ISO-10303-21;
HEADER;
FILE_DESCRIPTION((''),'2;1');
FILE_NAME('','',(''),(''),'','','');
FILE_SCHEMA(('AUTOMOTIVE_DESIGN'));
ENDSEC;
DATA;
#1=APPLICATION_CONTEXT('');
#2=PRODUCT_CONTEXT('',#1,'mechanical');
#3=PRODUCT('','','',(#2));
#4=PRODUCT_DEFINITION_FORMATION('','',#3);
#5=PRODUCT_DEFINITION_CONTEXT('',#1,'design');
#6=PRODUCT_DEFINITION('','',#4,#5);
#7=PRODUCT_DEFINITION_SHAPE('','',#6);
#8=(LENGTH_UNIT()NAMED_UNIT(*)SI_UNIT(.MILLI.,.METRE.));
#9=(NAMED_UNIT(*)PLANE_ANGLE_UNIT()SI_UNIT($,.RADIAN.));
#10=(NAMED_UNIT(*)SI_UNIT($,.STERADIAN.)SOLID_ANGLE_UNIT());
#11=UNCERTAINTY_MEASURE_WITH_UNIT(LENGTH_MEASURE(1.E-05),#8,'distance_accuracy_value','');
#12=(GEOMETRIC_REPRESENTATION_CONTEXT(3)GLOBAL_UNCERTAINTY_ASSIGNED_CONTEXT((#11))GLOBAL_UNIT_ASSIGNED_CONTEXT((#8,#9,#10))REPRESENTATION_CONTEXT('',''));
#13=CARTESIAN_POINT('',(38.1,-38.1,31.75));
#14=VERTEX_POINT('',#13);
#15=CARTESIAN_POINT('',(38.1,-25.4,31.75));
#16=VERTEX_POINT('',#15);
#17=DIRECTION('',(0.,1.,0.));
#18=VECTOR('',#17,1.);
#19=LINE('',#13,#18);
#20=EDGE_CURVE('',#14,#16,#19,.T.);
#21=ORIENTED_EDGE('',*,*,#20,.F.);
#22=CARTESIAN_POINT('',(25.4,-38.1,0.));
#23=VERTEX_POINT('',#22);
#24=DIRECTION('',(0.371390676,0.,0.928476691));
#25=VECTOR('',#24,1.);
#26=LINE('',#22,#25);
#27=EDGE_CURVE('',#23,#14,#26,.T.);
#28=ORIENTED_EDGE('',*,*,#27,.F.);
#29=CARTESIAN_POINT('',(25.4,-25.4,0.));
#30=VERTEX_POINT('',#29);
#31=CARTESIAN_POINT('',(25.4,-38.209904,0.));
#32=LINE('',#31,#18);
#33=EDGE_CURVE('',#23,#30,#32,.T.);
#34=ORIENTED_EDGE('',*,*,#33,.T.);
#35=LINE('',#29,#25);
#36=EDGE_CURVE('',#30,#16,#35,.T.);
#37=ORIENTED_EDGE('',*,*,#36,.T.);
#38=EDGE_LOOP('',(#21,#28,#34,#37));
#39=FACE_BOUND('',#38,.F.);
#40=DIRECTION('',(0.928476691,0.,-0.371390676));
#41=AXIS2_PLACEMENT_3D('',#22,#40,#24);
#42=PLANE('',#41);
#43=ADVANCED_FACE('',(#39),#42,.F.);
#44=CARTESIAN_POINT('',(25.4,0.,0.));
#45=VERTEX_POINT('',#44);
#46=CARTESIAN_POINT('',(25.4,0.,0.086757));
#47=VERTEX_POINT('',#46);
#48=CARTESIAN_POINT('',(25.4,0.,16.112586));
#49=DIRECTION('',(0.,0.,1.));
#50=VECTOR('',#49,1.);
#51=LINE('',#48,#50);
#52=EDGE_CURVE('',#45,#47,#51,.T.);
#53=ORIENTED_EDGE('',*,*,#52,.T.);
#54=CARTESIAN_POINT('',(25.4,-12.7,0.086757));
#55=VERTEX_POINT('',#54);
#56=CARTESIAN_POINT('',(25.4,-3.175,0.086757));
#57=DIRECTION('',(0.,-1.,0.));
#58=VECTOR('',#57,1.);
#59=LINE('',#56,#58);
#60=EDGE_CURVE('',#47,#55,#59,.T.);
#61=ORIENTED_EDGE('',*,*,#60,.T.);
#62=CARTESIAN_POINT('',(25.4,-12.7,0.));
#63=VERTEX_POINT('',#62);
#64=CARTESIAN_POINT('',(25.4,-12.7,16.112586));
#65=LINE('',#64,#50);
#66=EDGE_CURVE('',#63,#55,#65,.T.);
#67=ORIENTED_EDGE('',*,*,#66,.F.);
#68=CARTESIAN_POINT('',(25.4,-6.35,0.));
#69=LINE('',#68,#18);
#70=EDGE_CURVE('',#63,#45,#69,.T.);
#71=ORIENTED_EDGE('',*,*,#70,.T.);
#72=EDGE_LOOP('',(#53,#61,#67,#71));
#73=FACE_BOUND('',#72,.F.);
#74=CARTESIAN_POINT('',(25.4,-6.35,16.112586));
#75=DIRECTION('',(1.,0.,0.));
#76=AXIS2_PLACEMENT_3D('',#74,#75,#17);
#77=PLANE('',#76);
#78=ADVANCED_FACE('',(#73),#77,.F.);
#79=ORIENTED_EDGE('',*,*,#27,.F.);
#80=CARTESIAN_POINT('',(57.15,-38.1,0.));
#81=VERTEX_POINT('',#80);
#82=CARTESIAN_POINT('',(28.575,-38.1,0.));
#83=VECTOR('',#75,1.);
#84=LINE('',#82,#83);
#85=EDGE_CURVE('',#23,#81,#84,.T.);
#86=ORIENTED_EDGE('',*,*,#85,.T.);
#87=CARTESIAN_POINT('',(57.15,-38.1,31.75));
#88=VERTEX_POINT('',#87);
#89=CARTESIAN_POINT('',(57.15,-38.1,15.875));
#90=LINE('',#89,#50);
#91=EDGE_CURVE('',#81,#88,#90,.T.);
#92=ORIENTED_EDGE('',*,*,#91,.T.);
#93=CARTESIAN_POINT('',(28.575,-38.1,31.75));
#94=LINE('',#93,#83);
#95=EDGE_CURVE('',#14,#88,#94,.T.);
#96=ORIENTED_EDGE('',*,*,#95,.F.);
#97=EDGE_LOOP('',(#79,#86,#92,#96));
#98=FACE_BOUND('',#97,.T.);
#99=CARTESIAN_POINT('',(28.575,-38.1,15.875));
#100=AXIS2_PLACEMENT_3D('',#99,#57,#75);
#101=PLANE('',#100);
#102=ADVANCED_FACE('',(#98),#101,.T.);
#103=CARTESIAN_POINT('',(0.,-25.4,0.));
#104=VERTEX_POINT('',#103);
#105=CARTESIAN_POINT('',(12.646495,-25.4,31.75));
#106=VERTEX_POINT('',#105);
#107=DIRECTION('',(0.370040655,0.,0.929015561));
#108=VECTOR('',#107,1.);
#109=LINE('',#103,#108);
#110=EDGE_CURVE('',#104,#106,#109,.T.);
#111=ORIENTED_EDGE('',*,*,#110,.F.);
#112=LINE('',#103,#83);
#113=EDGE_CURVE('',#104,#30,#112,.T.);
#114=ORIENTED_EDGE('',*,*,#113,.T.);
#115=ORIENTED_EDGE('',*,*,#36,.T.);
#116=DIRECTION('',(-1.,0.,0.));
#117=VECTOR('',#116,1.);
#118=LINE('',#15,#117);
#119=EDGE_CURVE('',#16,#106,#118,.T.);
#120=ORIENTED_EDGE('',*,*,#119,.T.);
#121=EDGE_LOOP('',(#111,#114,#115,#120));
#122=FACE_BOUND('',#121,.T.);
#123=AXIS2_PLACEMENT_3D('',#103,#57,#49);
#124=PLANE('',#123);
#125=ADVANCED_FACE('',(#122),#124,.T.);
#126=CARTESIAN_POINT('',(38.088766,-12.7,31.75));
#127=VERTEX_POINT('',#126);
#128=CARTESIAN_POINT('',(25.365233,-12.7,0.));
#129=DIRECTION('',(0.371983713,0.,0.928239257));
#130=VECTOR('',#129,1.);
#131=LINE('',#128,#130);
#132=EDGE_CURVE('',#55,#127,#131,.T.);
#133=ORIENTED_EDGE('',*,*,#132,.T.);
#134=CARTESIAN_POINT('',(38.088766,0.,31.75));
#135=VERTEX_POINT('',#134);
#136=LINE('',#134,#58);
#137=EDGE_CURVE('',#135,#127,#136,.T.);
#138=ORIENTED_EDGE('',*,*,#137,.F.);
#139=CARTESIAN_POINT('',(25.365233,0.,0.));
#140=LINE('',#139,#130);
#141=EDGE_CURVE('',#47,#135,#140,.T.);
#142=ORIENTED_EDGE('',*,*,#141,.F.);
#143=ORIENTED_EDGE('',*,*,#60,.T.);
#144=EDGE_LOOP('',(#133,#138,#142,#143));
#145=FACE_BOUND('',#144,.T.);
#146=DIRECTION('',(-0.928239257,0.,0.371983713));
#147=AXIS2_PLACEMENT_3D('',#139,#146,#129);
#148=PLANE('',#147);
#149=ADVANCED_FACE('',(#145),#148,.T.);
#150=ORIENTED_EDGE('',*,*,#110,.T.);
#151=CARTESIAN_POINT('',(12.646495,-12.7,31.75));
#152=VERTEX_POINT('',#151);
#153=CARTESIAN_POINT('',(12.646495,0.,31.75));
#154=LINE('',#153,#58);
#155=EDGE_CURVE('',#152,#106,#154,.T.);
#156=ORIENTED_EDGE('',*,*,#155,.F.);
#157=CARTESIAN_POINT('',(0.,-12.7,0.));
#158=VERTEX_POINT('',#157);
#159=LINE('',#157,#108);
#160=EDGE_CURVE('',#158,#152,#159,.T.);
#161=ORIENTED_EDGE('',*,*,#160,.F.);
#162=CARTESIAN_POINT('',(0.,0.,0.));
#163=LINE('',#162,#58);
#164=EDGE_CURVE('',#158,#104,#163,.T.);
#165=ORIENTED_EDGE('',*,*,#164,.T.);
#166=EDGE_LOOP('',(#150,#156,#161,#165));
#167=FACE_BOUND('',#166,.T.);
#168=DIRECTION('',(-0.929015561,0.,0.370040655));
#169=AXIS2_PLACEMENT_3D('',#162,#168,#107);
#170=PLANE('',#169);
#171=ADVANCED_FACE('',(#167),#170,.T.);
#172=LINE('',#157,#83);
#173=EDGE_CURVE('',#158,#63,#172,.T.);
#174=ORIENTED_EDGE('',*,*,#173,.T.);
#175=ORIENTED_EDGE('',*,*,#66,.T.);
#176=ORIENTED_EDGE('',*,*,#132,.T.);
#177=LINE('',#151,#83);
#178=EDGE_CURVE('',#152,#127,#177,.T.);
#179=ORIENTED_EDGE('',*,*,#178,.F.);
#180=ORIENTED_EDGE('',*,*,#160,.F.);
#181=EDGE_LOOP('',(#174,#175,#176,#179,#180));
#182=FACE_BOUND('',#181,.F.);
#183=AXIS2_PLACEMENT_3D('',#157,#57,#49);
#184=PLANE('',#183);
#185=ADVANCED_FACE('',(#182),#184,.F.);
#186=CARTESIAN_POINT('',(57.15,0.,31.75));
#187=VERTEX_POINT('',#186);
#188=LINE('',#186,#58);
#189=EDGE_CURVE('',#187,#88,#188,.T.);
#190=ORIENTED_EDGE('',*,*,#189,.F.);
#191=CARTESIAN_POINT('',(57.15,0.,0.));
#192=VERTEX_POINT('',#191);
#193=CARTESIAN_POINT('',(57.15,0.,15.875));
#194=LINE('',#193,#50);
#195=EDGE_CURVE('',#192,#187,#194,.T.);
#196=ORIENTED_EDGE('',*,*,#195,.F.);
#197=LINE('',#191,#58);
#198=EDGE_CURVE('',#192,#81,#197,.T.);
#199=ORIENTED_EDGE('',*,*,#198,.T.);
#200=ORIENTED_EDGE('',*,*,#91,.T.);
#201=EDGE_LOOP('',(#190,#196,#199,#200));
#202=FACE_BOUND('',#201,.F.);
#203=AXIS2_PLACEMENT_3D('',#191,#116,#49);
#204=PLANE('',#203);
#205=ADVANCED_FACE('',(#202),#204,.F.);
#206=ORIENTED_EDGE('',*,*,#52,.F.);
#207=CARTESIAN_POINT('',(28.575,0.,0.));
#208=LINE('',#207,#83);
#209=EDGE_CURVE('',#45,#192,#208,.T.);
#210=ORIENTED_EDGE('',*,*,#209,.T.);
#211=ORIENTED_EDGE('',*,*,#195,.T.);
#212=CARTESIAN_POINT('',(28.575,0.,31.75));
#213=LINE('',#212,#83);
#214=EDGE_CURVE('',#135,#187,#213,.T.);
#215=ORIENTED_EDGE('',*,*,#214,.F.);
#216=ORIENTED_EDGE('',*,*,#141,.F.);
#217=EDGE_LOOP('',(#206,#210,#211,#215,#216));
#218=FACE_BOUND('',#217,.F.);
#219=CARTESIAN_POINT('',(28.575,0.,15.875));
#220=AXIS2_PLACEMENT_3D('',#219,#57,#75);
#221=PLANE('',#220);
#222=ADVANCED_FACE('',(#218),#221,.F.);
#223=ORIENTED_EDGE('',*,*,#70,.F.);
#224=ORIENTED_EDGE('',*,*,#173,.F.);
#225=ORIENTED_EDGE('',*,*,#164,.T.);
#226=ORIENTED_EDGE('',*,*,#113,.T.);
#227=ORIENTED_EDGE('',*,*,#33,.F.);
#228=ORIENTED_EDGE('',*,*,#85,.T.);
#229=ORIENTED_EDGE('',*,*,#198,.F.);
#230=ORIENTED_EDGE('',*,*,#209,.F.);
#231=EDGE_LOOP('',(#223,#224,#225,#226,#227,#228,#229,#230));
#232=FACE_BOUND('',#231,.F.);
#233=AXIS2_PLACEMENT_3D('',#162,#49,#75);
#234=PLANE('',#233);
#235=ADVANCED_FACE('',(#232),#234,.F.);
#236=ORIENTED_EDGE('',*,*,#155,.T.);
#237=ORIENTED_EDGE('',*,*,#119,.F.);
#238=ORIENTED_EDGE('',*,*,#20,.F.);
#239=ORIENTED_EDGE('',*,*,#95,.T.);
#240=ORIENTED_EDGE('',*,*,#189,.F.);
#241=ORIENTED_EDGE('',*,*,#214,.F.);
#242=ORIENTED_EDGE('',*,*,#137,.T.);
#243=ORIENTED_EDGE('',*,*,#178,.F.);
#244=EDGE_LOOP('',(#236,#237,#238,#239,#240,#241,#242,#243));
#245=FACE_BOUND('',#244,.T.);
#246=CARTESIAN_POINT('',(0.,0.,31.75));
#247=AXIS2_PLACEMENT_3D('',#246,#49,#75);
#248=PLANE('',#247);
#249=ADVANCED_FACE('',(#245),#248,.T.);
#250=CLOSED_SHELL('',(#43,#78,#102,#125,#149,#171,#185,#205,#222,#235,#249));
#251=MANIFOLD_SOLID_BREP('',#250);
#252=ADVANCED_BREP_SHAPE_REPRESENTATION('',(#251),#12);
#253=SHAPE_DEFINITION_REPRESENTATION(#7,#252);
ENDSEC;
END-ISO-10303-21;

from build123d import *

# Parameters (mm, degrees)
F0_W      = 57.15
F0_H      = 31.75
F1_DEPTH  = 38.1
F3_DEPTH  = 64.77
F4_W      = 12.7
F4_H      = 32.225172
F5_DEPTH  = 25.4
F7_DEPTH  = 12.7
F9_DEPTH  = 12.7
F11_DEPTH = 12.7


with BuildPart() as f1:
    # F0 (on Front) → F1 (new body)
    with BuildSketch(Plane.XZ):
        with Locations((28.575, 15.875)):
            Rectangle(F0_W, F0_H)
    extrude(amount=F1_DEPTH)

    # F2 (on Front) → F3 (cut)
    with BuildSketch(Plane.XZ):
        Polygon((0, 0), (12.7, 31.884328), (0, 31.884328), align=None)
    extrude(amount=F3_DEPTH, mode=Mode.SUBTRACT)

    # F4 (on Right) → F5 (cut)
    with BuildSketch(Plane.YZ):
        with Locations((-6.35, 16.112586)):
            Rectangle(F4_W, F4_H)
        Polygon((-25.4, 0), (-25.4, 32.225172), (-38.1, 32.225172), (-38.209904, 0), align=None)
    extrude(amount=F5_DEPTH, mode=Mode.SUBTRACT)

    # F6 (on Front) → F7 (cut)
    with BuildSketch(Plane.XZ):
        Polygon((38.103979, 31.787962), (25.397928, 31.787962), (25.365233, 0), align=None)
    extrude(amount=F7_DEPTH, mode=Mode.SUBTRACT)

    # F8 (on Front) → F9 (cut)
    with BuildSketch(Plane.XZ):
        Polygon((75.160764, -53.294525), (61.148994, -53.294525), (61.104827, -85.576326), (79.001695, -128.796339), (79.001695, -96.281484), (93.439646, -96.281484), align=None)
        Polygon((94.494686, -128.999516), (93.439646, -96.281484), (79.001695, -96.281484), (79.001695, -128.796339), align=None)
    extrude(amount=-F9_DEPTH, mode=Mode.SUBTRACT)

    # F10 (on face) → F11 (cut)
    with BuildSketch(Plane.XZ.offset(38.1)):
        Polygon((25.4, 0), (38.1, 31.75), (25.4, 31.75), align=None)
    extrude(amount=-F11_DEPTH, mode=Mode.SUBTRACT)


solid = f1.part
